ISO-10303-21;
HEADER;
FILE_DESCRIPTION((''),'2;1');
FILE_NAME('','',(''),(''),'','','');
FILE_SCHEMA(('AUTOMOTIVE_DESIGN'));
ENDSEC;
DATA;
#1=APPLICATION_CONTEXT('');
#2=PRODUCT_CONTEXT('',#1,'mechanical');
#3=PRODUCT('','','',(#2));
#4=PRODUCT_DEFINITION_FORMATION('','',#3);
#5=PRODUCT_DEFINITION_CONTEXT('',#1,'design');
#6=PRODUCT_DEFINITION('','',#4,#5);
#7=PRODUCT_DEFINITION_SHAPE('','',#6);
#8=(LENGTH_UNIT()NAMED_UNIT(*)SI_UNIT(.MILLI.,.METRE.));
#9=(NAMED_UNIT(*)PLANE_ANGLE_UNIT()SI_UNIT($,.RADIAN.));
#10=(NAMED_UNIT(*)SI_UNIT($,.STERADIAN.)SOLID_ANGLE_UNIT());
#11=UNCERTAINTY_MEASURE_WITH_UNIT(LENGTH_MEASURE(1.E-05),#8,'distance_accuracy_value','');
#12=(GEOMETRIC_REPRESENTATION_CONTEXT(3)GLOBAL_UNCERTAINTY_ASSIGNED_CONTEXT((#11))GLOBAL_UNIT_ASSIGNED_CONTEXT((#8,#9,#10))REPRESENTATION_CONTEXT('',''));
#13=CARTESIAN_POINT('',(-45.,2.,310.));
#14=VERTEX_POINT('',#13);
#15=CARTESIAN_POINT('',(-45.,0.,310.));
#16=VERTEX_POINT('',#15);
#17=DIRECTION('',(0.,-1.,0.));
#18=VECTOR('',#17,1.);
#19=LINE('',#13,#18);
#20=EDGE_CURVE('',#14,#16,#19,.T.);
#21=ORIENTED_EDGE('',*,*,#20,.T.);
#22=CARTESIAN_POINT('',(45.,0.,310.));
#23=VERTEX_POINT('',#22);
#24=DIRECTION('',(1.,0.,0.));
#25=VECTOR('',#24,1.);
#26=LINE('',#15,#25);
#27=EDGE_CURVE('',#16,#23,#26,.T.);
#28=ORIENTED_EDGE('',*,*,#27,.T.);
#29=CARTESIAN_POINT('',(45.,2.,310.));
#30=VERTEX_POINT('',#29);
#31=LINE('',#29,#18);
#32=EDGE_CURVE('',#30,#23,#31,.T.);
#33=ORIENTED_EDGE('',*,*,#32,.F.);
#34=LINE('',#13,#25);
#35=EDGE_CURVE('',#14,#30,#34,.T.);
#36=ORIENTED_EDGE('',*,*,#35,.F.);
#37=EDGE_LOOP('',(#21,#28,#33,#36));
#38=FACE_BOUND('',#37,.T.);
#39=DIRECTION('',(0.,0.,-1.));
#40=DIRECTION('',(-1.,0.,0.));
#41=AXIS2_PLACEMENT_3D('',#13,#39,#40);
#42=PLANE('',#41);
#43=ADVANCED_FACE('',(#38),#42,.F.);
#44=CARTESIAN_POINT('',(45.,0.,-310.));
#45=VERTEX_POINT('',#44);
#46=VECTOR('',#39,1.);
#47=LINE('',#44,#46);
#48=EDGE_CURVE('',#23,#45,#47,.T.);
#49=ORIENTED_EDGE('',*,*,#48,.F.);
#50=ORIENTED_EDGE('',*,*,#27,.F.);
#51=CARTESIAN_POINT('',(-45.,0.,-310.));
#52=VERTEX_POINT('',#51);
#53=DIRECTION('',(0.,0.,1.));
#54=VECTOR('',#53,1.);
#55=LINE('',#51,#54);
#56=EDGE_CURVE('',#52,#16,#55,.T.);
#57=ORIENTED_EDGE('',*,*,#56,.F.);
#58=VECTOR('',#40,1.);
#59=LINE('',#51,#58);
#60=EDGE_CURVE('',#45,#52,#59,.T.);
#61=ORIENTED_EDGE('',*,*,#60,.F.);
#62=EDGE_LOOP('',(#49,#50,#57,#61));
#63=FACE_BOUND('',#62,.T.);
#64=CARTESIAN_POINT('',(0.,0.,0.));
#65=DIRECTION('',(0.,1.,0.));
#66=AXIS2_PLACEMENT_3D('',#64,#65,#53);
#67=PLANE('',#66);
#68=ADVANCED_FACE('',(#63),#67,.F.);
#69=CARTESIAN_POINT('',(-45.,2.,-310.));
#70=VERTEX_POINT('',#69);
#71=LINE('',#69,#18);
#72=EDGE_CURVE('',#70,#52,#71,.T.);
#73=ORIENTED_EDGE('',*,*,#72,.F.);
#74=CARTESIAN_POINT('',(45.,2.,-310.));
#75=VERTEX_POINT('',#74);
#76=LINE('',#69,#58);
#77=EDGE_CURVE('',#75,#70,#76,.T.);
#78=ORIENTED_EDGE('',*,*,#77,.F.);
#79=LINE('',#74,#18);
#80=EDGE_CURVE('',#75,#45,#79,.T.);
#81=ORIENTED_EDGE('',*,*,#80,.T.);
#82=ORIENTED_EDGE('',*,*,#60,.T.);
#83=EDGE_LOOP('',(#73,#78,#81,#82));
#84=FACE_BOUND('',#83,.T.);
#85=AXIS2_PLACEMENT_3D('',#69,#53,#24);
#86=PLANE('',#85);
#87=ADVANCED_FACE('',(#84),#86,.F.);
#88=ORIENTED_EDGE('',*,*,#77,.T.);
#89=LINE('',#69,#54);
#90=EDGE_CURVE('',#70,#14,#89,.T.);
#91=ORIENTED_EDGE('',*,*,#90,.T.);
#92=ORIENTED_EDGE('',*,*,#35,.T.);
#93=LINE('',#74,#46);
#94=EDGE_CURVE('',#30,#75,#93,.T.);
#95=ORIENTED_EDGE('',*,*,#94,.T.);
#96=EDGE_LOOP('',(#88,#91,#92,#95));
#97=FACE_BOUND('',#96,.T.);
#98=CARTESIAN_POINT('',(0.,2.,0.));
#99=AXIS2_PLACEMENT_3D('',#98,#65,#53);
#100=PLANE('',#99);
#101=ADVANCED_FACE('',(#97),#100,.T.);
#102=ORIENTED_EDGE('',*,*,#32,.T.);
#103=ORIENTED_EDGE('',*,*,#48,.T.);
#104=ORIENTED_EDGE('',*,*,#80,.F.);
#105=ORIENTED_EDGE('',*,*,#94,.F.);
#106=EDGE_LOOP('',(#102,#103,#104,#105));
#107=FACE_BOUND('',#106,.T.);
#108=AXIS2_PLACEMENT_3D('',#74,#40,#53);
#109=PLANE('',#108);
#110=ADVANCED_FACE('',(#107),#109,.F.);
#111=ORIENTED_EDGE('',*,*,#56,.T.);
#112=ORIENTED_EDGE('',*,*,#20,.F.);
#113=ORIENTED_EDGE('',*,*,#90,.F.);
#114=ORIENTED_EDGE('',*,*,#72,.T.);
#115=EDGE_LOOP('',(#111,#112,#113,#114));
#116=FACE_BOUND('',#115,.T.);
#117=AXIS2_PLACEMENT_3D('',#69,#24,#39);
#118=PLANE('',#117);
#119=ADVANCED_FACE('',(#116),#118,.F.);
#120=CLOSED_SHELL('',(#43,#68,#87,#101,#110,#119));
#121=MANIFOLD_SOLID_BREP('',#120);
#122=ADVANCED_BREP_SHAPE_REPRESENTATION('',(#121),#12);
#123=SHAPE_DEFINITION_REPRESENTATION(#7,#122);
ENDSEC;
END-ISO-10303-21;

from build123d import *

# Parameters (mm, degrees)
SKETCH1_W           = 90
SKETCH1_H           = 620
BOSS_EXTRUDE1_DEPTH = 2


with BuildPart() as part:
    # Sketch1 → Boss-Extrude1 (new body)
    with BuildSketch(Plane(origin=(0, 0, 0), x_dir=(1, 0, 0), z_dir=(0, 1, 0))):
        Rectangle(SKETCH1_W, SKETCH1_H)
    extrude(amount=BOSS_EXTRUDE1_DEPTH)


solid = part.part
